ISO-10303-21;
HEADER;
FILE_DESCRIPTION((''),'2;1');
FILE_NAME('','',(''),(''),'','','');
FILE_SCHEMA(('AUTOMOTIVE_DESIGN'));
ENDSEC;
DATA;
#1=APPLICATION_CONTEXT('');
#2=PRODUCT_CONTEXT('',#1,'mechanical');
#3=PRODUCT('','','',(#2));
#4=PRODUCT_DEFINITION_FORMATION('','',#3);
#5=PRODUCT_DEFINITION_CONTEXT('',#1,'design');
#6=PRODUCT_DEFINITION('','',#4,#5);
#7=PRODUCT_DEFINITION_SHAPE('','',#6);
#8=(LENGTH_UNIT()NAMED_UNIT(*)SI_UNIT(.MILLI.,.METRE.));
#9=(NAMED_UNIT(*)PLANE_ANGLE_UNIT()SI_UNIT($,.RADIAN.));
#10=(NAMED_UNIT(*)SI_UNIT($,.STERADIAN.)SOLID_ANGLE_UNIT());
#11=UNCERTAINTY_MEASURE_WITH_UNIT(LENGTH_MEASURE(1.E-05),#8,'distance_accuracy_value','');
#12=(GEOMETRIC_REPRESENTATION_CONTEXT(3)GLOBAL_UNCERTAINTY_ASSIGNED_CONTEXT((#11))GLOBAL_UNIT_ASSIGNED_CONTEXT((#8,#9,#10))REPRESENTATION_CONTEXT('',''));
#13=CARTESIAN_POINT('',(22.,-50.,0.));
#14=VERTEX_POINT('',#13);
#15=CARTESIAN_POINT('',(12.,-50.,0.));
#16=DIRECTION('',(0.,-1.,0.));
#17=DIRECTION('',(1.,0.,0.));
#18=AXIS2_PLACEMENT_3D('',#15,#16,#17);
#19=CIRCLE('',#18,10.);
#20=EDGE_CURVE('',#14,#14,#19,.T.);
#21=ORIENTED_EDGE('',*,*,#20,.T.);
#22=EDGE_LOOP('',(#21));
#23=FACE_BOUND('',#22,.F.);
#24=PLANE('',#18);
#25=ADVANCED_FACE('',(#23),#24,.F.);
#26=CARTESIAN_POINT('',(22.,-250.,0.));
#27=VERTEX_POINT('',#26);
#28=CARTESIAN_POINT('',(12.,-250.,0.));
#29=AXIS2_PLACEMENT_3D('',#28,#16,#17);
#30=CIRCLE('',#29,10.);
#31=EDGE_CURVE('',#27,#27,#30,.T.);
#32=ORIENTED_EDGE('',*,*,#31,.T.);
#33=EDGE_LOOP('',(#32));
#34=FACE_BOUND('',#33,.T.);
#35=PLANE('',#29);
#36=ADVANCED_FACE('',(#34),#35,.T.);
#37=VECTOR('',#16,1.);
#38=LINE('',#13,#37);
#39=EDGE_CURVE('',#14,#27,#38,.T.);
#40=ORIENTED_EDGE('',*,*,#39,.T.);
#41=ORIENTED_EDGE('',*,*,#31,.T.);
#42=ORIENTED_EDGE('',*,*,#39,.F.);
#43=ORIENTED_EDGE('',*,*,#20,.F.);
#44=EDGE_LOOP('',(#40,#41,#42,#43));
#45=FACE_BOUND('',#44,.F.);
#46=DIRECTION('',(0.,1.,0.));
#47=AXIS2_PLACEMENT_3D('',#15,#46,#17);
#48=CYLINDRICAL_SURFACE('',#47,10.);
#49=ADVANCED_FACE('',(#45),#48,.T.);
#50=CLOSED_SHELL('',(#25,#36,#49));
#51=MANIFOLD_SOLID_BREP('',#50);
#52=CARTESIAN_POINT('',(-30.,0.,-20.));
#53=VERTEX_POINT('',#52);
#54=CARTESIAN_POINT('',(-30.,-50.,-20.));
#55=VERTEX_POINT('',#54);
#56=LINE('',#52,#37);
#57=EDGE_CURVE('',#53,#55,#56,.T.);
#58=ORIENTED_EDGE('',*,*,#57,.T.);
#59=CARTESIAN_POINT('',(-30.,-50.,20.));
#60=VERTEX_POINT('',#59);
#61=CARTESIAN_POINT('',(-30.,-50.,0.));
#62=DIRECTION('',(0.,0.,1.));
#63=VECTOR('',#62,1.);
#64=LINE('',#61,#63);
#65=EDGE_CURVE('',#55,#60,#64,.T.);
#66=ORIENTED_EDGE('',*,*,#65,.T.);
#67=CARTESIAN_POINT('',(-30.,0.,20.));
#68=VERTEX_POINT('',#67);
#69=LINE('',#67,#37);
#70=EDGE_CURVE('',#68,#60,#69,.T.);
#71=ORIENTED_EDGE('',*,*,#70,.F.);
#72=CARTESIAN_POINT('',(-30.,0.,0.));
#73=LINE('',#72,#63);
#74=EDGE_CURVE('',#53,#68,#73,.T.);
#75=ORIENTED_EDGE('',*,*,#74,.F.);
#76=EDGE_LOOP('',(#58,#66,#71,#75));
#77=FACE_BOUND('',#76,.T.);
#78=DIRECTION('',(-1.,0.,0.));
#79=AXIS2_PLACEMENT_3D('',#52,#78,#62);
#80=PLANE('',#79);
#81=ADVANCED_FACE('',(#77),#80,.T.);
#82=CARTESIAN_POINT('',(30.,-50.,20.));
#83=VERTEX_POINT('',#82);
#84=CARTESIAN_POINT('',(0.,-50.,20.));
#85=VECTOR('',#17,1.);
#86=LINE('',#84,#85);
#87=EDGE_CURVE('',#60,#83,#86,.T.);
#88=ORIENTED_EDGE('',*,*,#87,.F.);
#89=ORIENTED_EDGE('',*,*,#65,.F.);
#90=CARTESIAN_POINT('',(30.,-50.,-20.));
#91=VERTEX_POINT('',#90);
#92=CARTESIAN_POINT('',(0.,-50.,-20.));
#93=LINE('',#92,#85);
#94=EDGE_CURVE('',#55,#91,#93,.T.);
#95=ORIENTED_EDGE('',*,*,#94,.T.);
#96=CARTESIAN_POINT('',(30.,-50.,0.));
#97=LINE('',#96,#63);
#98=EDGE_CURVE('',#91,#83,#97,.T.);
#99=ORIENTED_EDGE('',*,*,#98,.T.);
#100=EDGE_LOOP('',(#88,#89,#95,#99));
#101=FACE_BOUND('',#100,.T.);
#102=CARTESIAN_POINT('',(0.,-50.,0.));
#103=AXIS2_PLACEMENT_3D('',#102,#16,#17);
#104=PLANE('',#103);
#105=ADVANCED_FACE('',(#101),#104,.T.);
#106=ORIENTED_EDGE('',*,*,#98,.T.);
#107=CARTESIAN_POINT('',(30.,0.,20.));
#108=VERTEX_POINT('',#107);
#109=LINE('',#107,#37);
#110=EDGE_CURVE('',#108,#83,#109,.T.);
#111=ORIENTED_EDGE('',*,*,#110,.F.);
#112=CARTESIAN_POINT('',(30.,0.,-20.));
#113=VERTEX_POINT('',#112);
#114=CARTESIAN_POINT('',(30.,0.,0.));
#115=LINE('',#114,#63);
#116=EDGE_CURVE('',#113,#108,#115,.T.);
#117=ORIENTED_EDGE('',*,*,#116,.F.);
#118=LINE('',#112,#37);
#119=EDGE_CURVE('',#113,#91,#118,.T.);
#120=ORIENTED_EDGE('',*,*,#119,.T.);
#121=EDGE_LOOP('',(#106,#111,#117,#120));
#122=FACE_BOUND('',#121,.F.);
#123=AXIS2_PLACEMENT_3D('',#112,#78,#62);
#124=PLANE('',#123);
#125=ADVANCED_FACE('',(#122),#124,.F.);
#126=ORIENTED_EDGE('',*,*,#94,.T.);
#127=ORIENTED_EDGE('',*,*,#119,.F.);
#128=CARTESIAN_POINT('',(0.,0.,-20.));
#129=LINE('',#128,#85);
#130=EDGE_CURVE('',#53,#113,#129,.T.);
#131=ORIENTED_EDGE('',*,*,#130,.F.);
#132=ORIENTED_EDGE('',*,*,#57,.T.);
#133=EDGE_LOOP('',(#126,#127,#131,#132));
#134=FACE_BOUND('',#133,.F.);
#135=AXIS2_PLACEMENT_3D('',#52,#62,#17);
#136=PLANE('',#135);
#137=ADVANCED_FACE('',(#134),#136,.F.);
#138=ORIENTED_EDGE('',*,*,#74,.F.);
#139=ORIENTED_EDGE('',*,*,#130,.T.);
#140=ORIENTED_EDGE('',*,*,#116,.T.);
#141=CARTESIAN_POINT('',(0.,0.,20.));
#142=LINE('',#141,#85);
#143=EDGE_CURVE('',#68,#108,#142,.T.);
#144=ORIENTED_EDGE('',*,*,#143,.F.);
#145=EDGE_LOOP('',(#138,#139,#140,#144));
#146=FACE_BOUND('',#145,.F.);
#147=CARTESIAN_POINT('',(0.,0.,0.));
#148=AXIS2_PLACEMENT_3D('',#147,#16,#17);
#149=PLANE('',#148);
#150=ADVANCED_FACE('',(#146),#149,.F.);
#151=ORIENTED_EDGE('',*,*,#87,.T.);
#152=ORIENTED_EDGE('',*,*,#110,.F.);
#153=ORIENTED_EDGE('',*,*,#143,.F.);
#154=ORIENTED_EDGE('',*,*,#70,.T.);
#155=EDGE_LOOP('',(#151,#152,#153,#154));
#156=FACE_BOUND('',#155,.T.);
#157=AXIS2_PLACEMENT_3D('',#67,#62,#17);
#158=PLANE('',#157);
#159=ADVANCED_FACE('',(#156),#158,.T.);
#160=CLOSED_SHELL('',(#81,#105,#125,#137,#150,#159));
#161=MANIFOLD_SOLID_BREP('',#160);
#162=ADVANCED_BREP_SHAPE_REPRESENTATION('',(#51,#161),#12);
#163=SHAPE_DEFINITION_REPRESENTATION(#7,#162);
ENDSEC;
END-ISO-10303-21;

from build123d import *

# Parameters (mm, degrees)
F0_W     = 60
F0_H     = 40
F1_DEPTH = 50
F2_R     = 10
F3_DEPTH = 200


with BuildPart() as f1:
    # F0 (on Front) → F1 (new body)
    with BuildSketch(Plane.XZ):
        Rectangle(F0_W, F0_H)
    extrude(amount=F1_DEPTH)


with BuildPart() as f3:
    # F2 (on face) → F3 (new body)
    with BuildSketch(Plane.XZ.offset(50)):
        with Locations((12, 0)):
            Circle(F2_R)
    extrude(amount=F3_DEPTH)


solid = Compound([f1.part, f3.part])
